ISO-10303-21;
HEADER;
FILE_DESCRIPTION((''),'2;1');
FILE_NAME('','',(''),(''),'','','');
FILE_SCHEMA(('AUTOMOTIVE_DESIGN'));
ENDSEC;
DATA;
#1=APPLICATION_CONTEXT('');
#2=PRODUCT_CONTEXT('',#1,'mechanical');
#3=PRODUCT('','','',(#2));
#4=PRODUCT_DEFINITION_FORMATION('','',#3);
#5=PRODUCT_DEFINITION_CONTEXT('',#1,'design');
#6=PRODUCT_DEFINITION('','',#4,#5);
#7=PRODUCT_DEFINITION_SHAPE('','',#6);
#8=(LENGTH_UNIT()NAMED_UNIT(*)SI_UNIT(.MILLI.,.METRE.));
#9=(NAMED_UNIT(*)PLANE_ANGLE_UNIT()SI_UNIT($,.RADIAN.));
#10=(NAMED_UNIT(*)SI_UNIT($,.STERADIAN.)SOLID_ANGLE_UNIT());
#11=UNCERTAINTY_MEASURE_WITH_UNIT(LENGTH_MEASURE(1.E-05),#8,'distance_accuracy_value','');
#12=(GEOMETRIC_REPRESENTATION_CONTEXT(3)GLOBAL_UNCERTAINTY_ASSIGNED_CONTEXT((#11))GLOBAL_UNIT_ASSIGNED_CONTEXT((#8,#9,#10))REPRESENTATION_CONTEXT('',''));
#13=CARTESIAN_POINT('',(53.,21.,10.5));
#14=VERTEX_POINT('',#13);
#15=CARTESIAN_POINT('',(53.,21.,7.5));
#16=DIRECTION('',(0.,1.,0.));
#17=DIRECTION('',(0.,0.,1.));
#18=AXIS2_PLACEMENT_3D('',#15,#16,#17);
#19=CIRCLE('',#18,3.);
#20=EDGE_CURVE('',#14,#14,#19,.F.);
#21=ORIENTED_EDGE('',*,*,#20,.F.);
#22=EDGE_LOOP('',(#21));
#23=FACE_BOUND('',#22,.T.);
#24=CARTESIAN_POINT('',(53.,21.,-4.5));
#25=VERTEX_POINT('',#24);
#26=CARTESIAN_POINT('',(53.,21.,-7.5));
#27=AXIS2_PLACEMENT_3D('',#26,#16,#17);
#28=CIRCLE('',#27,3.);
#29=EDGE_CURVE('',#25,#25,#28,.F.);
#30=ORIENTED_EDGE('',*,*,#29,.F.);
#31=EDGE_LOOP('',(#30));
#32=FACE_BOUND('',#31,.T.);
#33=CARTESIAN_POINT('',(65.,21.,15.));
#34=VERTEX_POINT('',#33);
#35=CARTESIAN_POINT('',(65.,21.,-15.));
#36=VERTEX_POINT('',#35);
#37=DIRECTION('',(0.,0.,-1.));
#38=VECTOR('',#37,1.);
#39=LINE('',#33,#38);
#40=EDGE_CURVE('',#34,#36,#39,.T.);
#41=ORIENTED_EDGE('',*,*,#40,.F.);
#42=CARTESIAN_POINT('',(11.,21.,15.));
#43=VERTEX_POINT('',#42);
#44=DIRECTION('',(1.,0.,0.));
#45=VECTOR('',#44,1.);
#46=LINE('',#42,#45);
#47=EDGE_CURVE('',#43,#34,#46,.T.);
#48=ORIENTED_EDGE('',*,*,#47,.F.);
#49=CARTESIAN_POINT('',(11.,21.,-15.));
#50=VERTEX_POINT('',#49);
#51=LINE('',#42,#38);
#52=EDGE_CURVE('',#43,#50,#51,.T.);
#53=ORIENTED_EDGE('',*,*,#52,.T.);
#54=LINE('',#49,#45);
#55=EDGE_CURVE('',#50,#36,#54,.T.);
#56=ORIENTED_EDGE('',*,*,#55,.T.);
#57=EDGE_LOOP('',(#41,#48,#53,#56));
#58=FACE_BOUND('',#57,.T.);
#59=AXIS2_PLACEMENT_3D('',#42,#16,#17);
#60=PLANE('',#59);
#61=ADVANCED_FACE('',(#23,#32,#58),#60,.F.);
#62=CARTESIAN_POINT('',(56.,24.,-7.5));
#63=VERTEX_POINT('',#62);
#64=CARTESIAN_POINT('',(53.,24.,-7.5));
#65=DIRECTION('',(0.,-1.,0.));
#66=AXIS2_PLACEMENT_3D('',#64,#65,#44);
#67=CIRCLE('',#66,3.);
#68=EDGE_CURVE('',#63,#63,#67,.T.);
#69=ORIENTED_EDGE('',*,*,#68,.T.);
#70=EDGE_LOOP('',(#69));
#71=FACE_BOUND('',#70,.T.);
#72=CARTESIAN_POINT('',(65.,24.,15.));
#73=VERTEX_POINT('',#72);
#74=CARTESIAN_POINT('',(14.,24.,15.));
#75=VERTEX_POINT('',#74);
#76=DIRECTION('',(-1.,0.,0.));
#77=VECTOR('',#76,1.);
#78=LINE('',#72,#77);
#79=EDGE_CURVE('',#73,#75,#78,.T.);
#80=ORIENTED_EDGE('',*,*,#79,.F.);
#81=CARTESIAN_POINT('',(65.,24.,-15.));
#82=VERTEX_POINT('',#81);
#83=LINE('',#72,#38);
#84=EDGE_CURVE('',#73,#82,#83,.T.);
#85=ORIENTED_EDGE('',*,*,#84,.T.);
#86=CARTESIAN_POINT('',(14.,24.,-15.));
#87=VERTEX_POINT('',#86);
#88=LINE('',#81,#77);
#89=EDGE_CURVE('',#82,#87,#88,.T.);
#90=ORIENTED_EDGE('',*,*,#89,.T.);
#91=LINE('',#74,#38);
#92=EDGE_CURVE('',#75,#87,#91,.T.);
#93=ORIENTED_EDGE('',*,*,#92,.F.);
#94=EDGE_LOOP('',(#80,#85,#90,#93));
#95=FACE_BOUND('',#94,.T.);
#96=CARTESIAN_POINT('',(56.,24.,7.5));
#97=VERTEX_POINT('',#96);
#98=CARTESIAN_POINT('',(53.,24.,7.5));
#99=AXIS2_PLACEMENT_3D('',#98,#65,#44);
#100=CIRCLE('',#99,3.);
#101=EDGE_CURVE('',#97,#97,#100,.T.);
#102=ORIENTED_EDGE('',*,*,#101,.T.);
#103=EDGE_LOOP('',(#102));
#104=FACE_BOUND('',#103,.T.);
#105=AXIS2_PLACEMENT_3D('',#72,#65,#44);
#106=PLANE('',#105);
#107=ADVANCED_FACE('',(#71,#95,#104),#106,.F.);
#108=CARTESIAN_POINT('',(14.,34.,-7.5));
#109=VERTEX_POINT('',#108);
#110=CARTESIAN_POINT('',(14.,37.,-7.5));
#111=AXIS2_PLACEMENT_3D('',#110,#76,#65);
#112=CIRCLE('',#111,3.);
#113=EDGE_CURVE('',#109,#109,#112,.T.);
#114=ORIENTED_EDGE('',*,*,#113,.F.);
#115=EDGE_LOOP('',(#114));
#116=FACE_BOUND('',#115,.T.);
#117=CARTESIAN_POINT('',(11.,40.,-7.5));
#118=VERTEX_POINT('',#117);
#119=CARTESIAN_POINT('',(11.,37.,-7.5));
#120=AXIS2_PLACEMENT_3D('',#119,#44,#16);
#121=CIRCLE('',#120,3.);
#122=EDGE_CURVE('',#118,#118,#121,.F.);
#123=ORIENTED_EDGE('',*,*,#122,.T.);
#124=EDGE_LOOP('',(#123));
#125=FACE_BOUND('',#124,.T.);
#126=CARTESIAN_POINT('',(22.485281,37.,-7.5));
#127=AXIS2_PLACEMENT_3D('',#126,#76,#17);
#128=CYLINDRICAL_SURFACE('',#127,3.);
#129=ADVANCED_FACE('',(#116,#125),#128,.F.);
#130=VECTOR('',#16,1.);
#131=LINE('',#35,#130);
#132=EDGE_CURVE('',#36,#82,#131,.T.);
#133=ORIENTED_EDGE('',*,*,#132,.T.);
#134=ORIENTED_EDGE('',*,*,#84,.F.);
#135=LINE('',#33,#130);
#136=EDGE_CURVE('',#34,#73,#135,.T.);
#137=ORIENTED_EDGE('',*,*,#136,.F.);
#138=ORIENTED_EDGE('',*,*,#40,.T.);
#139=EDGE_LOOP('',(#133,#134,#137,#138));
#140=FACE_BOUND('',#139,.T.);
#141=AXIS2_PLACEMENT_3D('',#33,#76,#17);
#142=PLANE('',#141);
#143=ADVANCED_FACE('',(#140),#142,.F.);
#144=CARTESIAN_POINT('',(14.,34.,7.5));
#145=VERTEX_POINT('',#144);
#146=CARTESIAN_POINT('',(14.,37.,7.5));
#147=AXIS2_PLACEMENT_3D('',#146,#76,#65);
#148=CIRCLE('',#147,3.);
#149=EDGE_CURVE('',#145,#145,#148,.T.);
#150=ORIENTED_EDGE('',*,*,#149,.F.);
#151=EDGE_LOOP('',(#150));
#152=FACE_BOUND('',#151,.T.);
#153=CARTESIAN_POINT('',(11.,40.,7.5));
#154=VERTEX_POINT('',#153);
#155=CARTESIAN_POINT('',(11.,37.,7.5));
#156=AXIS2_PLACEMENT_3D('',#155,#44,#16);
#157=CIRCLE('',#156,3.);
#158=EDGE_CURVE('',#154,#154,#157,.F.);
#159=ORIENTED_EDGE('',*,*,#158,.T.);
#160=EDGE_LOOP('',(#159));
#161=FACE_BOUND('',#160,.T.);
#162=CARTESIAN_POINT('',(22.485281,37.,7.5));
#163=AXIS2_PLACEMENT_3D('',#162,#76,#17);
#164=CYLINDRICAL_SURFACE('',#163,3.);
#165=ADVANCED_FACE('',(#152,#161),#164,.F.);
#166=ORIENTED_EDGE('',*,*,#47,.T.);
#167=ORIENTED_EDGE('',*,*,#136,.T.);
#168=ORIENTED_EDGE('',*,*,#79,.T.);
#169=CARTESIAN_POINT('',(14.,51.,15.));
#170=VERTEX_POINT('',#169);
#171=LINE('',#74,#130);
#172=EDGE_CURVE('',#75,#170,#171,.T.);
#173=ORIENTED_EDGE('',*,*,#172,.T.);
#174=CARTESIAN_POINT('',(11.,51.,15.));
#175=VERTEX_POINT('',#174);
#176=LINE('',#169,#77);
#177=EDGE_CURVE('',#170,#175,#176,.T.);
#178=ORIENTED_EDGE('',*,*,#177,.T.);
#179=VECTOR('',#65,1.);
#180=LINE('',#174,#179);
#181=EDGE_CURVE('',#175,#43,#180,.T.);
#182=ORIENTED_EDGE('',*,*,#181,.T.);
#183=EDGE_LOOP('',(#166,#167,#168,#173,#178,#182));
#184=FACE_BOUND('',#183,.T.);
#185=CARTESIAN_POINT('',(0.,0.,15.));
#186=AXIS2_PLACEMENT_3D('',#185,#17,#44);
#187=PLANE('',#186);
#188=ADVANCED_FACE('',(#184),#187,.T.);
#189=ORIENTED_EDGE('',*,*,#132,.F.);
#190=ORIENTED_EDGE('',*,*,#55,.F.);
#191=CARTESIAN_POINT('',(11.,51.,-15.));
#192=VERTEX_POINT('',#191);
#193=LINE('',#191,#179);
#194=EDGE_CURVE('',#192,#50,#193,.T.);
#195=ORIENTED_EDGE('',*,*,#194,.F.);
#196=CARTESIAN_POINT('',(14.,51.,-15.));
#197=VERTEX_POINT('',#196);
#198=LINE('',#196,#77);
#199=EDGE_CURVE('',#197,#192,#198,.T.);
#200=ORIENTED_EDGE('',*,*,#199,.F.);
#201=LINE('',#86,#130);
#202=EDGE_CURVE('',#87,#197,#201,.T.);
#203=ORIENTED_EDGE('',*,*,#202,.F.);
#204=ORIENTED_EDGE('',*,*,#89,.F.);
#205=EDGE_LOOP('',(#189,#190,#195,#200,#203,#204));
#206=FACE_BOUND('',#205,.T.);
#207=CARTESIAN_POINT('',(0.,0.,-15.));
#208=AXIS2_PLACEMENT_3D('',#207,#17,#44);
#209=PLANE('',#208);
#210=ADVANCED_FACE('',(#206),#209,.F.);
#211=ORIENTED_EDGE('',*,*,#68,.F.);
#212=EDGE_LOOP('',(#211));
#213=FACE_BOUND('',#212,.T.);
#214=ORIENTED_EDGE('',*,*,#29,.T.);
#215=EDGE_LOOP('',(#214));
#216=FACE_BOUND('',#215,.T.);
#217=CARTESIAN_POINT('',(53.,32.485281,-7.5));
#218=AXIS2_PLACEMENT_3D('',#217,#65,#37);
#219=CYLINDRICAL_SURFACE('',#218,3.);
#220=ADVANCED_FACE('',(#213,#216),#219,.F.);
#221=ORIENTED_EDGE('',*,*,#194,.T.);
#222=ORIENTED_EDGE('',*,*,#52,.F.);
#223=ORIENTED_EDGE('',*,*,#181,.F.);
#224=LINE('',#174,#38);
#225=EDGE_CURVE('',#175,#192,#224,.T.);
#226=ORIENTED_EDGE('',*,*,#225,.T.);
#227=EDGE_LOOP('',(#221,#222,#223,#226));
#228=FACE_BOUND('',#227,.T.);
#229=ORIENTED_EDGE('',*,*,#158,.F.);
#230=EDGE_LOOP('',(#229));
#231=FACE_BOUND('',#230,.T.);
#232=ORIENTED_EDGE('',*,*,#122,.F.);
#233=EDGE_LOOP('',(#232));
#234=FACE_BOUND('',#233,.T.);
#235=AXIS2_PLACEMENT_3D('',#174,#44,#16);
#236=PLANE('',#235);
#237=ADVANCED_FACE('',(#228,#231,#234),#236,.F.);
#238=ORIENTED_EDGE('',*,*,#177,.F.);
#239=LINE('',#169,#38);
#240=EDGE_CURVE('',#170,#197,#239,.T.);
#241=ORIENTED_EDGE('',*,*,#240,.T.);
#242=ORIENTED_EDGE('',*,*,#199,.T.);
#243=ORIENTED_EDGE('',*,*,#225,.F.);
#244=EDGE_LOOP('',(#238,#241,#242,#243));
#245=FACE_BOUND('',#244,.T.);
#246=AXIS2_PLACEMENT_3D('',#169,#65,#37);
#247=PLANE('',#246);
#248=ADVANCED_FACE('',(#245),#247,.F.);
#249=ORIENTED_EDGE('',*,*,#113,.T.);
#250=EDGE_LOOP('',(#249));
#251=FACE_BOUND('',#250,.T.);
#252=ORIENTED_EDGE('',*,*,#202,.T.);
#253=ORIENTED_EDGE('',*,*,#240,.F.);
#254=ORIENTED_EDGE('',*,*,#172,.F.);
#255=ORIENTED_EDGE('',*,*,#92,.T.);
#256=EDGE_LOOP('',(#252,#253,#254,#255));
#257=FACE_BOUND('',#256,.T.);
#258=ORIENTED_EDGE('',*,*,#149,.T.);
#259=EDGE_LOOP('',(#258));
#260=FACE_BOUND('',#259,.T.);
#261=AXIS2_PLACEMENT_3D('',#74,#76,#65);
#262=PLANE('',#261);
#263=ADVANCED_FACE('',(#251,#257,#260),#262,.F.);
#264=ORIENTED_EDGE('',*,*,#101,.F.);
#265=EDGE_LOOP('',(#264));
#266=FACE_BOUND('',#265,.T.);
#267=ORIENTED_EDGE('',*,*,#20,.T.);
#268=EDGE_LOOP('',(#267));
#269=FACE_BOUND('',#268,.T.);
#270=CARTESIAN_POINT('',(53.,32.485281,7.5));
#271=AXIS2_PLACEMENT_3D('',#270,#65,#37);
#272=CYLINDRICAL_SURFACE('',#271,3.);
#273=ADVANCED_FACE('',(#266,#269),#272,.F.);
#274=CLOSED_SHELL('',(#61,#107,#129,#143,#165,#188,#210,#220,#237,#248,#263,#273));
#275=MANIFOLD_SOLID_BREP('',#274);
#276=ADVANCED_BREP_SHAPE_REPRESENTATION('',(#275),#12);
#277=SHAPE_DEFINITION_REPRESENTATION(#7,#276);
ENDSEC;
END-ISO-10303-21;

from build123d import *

# Parameters (mm, degrees)
AUFSATZ_LINEAR_AUSTRAGEN1_DEPTH      = 15
AUFSATZ_LINEAR_AUSTRAGEN1_DEPTH_BACK = 15
SKIZZE5_R                            = 3
SCHNITT_LINEAR_AUSTRAGEN1_DEPTH      = 24
SKIZZE7_R                            = 3
SCHNITT_LINEAR_AUSTRAGEN2_DEPTH      = 14


with BuildPart() as part:
    # Skizze2 → Aufsatz-Linear austragen1 (new body, two sides)
    with BuildSketch(Plane.XY) as aufsatz_linear_austragen1_sk:
        Polygon((14, 51), (11, 51), (11, 21), (65, 21), (65, 24), (14, 24), align=None)
    extrude(amount=AUFSATZ_LINEAR_AUSTRAGEN1_DEPTH)
    extrude(aufsatz_linear_austragen1_sk.sketch, amount=-AUFSATZ_LINEAR_AUSTRAGEN1_DEPTH_BACK)

    # Skizze5 → Schnitt-Linear austragen1 (cut)
    with BuildSketch(Plane(origin=(0, 0, 0), x_dir=(1, 0, 0), z_dir=(0, 1, 0))):
        with Locations((53, -7.5)):
            Circle(SKIZZE5_R)
        with Locations((53, 7.5)):
            Circle(SKIZZE5_R)
    extrude(amount=SCHNITT_LINEAR_AUSTRAGEN1_DEPTH, mode=Mode.SUBTRACT)

    # Skizze7 → Schnitt-Linear austragen2 (cut)
    with BuildSketch(Plane(origin=(0, 0, 0), x_dir=(0, 0, -1), z_dir=(1, 0, 0))):
        with Locations((7.5, 37)):
            Circle(SKIZZE7_R)
        with Locations((-7.5, 37)):
            Circle(SKIZZE7_R)
    extrude(amount=SCHNITT_LINEAR_AUSTRAGEN2_DEPTH, mode=Mode.SUBTRACT)


solid = part.part
